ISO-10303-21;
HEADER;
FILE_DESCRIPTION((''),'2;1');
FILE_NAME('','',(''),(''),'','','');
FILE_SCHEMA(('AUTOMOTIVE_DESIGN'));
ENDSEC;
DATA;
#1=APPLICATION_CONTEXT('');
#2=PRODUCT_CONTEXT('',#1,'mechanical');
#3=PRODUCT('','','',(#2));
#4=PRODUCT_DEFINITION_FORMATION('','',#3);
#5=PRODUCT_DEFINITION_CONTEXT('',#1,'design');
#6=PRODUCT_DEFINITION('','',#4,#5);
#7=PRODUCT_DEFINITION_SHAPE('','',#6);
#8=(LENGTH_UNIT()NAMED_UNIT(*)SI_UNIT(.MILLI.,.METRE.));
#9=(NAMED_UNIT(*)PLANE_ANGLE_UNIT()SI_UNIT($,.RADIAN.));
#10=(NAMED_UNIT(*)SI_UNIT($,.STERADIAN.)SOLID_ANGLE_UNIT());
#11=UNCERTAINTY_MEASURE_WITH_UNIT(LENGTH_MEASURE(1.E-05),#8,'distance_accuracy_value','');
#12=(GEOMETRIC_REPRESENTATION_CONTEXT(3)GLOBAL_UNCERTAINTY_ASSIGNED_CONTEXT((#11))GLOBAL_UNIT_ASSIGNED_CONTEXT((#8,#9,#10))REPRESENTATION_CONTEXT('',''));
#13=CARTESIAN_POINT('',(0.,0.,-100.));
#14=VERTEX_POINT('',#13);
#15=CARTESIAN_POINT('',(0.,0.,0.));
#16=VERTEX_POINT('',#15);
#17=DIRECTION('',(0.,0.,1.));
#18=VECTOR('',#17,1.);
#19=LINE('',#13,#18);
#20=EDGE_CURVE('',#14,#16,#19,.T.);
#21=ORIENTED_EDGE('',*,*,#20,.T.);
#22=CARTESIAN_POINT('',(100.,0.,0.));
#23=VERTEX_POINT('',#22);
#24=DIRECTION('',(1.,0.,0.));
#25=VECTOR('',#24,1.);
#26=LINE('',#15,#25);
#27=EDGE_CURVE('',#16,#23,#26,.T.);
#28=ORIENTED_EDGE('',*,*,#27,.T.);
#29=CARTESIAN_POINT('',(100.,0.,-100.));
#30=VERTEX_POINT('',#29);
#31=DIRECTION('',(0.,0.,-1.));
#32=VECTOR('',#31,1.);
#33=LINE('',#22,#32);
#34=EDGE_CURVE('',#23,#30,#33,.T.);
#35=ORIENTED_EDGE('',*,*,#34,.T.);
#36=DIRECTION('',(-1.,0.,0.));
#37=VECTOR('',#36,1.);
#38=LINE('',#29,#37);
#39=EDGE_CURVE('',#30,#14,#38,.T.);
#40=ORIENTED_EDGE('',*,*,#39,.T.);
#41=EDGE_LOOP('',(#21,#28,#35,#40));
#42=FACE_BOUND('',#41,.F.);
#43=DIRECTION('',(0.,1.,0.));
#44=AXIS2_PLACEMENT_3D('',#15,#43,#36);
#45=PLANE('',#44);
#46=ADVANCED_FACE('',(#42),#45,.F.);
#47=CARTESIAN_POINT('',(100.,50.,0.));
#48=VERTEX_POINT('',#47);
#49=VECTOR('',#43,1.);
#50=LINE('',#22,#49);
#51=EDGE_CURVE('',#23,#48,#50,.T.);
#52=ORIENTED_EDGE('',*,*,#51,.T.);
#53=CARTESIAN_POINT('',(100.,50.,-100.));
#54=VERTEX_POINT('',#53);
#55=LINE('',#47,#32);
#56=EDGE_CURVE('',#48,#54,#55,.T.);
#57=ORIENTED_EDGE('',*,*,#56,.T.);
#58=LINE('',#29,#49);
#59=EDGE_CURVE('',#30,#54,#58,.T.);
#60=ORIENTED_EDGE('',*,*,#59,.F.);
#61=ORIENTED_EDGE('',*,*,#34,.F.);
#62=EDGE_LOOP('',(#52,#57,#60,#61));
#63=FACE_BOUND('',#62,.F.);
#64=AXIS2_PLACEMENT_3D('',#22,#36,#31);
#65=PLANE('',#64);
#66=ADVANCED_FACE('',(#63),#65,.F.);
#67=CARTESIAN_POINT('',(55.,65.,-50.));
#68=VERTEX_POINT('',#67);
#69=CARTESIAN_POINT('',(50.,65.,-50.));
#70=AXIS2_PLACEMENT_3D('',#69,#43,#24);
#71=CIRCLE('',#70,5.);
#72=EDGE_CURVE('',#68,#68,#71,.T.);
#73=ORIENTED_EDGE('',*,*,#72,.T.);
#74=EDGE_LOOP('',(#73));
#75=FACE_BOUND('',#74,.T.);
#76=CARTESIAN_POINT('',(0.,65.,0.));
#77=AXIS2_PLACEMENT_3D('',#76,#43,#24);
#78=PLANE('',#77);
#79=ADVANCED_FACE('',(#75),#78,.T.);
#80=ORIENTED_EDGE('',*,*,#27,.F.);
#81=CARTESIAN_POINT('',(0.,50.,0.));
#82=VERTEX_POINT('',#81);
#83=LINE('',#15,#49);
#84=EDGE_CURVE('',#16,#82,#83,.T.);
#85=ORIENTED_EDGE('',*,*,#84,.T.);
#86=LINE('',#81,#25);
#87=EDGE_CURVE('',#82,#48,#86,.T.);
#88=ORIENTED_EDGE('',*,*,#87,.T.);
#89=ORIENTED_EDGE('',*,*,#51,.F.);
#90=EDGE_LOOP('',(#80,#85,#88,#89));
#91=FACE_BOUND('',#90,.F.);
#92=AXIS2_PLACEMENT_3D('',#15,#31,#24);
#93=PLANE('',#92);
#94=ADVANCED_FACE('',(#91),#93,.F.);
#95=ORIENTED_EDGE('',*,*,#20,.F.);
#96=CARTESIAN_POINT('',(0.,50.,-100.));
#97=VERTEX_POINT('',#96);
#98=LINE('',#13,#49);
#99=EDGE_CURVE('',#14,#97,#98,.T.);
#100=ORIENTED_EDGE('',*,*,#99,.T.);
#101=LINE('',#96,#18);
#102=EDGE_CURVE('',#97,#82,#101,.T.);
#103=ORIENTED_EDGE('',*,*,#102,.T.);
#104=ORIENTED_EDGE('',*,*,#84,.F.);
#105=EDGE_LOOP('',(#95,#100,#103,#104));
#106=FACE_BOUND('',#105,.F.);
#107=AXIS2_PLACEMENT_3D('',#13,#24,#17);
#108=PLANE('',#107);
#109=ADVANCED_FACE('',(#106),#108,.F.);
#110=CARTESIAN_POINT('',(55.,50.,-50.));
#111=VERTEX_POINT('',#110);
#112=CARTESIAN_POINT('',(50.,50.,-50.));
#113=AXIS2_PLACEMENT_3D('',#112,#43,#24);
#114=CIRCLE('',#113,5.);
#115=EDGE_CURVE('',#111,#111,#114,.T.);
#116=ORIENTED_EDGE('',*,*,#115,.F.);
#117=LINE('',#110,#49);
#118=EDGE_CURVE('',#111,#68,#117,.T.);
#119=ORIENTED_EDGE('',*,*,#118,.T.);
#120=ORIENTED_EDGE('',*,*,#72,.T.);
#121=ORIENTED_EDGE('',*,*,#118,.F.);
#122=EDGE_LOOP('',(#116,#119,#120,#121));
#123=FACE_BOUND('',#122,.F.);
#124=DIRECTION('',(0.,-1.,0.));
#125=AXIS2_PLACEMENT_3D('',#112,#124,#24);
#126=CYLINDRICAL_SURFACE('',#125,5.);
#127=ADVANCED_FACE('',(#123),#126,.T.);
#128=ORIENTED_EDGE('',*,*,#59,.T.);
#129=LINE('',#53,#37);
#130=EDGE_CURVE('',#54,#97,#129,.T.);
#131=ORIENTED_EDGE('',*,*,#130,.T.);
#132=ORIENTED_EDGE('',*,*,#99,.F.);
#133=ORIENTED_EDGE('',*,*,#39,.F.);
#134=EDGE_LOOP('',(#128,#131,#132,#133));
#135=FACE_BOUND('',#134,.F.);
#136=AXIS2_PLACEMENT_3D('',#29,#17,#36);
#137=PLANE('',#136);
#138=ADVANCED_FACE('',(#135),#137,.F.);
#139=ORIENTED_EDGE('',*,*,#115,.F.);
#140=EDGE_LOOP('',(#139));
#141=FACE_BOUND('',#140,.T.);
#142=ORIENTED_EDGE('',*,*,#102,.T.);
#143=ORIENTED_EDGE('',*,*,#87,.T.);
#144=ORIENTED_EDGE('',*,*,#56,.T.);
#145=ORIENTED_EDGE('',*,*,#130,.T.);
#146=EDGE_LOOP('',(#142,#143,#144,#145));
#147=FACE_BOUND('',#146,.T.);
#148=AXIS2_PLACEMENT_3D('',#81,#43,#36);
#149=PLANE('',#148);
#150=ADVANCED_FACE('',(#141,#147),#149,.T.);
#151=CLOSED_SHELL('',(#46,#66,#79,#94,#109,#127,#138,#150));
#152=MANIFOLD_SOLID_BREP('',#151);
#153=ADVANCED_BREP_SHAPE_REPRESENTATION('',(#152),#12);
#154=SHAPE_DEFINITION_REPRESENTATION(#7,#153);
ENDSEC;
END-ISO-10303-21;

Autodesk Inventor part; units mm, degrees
ref_plane "YZ Plane" through (0, 0, 0) normal (1, 0, 0) x (0, 1, 0)
ref_plane "XZ Plane" through (0, 0, 0) normal (0, 1, 0) x (-1, 0, 0)
ref_plane "XY Plane" through (0, 0, 0) normal (0, 0, 1) x (1, 0, 0)
sketch "Sketch1" plane through (0, 0, 0) normal (0, 1, 0) x (-1, 0, 0)
  point P0 (0, 0)
sketch "Sketch2" plane through (0, 0, 0) normal (0, 1, 0) x (-1, 0, 0)
  line L0 (0, 0) -> (-100, 0)
  line L1 (-100, 0) -> (-100, -100)
  line L2 (-100, -100) -> (0, -100)
  line L3 (0, -100) -> (0, 0)
  dimension "d0" = 100
  dimension "d1" = 100
extrude "Extrusion1" add sketch "Sketch2" along normal blind 50
sketch "Sketch3" plane through (0, 50, 0) normal (0, 1, 0) x (1, 0, 0)
  circle A0 centre (50, 50) radius 5
  point P0 (0, 0)
  dimension "d4" = 10
extrude "Extrusion2" add sketch "Sketch3" along normal blind 15
sketch "Sketch4" plane through (50, 65, -50) normal (0, 1, 0) x (1, 0, 0)
  point P0 (-50, -50)
properties part number "Base"
